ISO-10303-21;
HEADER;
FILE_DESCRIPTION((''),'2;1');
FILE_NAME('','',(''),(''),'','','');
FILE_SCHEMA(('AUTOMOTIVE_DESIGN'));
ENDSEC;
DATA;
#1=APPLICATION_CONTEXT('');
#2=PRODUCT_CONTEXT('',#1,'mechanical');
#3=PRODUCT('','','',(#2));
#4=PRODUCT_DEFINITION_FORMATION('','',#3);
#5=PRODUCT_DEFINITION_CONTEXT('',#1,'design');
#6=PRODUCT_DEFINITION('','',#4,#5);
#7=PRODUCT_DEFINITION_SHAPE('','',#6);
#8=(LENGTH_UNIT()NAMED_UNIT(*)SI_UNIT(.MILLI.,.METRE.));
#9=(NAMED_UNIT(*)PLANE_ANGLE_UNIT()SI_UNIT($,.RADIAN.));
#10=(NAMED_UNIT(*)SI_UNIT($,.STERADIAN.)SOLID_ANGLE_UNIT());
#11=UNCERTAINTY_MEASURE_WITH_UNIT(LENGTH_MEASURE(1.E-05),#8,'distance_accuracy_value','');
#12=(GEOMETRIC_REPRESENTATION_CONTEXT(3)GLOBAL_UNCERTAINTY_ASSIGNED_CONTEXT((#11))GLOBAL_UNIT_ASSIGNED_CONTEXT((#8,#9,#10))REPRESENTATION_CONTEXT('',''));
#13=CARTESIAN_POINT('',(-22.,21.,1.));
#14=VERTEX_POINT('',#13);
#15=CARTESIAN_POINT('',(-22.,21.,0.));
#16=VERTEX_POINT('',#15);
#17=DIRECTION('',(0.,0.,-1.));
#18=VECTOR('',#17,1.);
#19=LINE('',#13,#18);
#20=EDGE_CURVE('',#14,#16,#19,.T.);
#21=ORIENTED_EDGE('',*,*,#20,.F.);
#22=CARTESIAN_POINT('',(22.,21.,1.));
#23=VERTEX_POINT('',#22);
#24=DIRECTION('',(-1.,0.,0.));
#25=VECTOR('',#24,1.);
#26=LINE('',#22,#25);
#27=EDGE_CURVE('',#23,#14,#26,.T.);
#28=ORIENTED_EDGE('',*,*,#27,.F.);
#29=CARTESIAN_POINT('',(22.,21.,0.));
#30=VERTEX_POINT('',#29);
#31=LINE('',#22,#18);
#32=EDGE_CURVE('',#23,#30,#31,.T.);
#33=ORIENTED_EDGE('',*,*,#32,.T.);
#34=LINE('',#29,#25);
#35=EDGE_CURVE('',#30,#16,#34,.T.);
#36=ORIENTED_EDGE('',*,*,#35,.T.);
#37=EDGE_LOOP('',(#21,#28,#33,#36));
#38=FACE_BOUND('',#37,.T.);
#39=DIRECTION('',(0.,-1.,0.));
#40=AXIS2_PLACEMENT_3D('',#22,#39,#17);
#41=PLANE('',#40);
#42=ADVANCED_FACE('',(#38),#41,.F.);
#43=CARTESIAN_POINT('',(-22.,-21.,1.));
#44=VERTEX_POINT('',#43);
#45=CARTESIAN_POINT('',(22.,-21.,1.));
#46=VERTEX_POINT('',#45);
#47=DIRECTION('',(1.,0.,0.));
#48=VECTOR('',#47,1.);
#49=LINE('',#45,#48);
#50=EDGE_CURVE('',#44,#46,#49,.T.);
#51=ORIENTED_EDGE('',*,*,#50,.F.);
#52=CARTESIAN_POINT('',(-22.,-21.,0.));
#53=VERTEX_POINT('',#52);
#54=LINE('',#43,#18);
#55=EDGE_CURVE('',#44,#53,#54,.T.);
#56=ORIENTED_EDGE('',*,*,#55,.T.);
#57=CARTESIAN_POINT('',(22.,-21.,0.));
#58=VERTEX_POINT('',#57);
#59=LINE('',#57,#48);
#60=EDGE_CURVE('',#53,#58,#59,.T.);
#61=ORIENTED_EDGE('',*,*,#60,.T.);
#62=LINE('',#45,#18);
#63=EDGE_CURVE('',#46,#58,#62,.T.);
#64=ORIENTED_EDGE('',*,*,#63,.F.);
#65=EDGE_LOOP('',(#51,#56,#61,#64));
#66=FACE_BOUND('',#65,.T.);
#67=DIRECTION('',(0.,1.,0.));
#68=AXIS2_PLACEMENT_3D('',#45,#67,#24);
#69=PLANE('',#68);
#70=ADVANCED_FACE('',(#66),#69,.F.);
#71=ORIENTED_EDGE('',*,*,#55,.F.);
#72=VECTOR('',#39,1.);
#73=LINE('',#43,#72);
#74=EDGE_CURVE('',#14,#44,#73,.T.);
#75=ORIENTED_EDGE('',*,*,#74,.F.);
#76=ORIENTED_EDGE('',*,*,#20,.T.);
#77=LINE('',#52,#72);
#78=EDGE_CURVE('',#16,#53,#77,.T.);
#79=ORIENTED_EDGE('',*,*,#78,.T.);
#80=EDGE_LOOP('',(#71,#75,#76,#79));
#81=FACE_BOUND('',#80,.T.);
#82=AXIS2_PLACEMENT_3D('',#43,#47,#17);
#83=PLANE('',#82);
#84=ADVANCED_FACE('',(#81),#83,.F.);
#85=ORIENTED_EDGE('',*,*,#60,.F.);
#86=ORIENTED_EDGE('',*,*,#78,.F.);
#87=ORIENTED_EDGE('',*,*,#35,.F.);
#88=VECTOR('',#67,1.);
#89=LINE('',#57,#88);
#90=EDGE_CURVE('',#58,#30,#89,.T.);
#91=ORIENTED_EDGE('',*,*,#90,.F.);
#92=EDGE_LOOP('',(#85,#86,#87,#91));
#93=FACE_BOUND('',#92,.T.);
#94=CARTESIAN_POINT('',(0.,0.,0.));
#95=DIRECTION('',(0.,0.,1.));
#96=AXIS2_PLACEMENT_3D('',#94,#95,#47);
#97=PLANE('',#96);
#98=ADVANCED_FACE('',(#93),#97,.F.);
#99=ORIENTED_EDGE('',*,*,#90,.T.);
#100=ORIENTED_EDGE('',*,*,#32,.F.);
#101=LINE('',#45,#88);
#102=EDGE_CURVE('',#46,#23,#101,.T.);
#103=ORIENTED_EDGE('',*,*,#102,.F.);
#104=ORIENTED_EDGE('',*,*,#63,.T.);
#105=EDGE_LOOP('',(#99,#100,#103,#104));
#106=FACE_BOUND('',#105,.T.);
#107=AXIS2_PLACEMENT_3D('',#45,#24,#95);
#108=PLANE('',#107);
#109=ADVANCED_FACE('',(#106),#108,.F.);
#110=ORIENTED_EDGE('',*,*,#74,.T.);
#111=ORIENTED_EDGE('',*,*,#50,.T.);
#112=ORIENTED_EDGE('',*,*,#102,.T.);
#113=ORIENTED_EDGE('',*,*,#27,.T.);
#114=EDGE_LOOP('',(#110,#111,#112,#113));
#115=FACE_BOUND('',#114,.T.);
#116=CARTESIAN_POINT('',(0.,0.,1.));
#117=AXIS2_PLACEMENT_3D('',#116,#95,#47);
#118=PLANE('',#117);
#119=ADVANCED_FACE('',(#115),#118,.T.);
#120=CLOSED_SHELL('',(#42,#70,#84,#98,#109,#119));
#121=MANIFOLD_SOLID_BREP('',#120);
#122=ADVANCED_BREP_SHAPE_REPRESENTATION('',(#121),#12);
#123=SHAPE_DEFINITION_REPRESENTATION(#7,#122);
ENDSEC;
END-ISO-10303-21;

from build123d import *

# Parameters (mm, degrees)
ESQUISSE1_W        = 44
ESQUISSE1_H        = 42
BOSS_EXTRU_1_DEPTH = 1


with BuildPart() as part:
    # Esquisse1 → Boss.-Extru.1 (new body)
    with BuildSketch(Plane.XY):
        Rectangle(ESQUISSE1_W, ESQUISSE1_H)
    extrude(amount=BOSS_EXTRU_1_DEPTH)


solid = part.part
